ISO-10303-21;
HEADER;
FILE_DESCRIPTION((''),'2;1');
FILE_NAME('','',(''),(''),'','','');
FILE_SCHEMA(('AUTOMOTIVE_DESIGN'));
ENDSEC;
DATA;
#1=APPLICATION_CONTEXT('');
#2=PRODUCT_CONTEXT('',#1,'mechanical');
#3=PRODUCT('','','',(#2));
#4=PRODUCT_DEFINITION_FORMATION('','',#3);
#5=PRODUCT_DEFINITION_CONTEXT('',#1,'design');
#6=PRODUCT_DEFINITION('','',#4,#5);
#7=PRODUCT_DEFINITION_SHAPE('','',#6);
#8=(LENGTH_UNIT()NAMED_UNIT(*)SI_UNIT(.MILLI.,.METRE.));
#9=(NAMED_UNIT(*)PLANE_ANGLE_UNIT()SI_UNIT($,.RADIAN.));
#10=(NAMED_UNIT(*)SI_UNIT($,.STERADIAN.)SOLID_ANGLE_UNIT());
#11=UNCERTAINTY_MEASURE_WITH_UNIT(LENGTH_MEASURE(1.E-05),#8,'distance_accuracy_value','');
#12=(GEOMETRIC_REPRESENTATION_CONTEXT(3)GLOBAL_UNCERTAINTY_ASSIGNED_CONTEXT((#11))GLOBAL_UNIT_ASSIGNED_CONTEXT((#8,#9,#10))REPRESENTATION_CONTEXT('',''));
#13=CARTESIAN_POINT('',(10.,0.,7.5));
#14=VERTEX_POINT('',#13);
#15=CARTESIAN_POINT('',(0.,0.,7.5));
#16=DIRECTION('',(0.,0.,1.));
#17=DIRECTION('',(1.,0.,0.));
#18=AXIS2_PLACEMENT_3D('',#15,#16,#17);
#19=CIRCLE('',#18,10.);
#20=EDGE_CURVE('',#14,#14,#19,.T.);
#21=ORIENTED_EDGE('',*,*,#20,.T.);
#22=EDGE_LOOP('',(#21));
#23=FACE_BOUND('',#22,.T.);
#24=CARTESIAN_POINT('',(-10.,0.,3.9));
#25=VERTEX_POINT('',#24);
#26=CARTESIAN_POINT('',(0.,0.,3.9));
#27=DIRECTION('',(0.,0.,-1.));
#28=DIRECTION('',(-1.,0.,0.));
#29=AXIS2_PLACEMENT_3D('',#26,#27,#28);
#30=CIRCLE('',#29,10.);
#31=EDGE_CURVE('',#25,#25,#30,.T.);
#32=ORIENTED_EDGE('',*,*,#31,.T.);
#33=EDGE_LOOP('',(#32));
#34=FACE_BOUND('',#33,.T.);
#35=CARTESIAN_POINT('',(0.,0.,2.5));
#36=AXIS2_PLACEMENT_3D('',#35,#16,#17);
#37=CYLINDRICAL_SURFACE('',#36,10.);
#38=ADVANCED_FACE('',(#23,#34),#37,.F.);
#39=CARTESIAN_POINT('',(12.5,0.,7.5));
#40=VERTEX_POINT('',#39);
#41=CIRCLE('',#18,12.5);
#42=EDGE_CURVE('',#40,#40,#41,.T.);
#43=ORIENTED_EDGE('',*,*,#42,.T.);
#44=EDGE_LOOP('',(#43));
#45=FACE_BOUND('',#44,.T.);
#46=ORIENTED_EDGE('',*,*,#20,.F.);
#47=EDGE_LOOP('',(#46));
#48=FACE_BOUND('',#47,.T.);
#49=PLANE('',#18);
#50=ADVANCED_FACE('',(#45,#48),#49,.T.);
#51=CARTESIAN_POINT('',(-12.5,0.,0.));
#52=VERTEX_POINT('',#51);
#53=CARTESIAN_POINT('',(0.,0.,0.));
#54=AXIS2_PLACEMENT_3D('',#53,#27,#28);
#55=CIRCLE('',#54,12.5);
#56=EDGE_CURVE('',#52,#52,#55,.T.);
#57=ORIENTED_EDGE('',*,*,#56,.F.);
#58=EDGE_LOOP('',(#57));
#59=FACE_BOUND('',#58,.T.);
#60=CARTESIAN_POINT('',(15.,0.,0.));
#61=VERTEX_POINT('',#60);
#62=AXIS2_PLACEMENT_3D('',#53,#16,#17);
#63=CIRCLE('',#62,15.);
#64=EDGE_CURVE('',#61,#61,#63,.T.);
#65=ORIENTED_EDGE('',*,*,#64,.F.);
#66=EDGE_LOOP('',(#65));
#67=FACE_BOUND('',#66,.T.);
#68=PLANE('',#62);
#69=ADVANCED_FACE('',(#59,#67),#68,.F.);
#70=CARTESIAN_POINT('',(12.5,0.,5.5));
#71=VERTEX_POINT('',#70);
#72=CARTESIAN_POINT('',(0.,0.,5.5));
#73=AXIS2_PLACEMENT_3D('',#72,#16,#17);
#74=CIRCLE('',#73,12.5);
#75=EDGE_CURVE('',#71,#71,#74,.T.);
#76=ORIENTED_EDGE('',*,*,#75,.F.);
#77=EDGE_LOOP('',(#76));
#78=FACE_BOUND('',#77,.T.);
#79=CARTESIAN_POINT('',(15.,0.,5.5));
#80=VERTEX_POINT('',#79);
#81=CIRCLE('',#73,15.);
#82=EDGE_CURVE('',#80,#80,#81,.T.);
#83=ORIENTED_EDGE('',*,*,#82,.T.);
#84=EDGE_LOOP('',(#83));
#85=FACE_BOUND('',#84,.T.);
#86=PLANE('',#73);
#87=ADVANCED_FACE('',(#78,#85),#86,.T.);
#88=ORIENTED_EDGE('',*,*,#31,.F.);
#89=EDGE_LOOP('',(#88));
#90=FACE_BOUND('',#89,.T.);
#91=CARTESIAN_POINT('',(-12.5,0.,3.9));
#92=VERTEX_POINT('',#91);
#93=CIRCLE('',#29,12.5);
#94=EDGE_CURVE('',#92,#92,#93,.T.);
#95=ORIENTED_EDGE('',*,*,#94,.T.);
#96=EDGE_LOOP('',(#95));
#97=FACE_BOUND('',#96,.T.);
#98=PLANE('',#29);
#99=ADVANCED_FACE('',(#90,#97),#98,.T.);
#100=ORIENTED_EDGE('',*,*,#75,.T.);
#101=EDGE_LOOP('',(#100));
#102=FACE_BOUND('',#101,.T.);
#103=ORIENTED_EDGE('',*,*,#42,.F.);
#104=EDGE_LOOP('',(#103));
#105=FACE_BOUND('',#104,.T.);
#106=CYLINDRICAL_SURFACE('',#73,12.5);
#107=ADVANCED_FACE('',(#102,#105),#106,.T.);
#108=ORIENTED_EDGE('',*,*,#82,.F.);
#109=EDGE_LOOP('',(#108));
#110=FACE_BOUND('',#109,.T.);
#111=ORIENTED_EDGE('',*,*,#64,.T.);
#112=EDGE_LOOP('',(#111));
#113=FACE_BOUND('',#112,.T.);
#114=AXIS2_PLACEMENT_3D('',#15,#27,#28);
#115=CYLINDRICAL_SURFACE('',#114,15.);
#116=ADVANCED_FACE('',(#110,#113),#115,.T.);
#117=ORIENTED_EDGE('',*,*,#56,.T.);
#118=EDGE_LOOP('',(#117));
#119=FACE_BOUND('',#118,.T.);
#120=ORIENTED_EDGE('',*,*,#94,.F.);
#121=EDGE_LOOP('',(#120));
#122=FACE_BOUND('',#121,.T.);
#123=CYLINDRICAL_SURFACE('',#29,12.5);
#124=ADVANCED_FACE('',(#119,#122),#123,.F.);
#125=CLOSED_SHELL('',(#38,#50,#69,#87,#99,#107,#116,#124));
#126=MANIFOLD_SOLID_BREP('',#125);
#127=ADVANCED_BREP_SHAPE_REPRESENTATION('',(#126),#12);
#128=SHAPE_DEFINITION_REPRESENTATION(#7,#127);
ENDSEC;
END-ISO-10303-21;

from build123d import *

# Parameters (mm, degrees)
ESQUISSE1_R             = 15
BOSS_EXTRU_1_DEPTH      = 7.5
ESQUISSE3_R             = 12.5
ENL_V_MAT_EXTRU_1_DEPTH = 3.9
ENL_V_START             = -2
ESQUISSE4_R             = 15.5
ESQUISSE4_R_2           = 12.5
ENL_V_MAT_EXTRU_2_DEPTH = 2
ESQUISSE5_R             = 10
ENL_V_MAT_EXTRU_4_DEPTH = 5


with BuildPart() as part:
    # Esquisse1 → Boss.-Extru.1 (new body)
    with BuildSketch(Plane.XY):
        Circle(ESQUISSE1_R)
    extrude(amount=BOSS_EXTRU_1_DEPTH)

    # Esquisse3 → Enlèv. mat.-Extru.1 (cut)
    with BuildSketch(Plane(origin=(0, 0, 0), x_dir=(-1, 0, 0), z_dir=(0, 0, -1))):
        Circle(ESQUISSE3_R)
    extrude(amount=-ENL_V_MAT_EXTRU_1_DEPTH, mode=Mode.SUBTRACT)

    # Esquisse4 → Enlèv. mat.-Extru.2 (cut)
    with BuildSketch(Plane.XY.offset(7.5).offset(ENL_V_START)):
        Circle(ESQUISSE4_R)
        with Locations(Location((0, 0, 0), (0, 0, 180))):
            Circle(ESQUISSE4_R_2, mode=Mode.SUBTRACT)
    extrude(amount=ENL_V_MAT_EXTRU_2_DEPTH, mode=Mode.SUBTRACT)

    # Esquisse5 → Enlèv. mat.-Extru.4 (cut)
    with BuildSketch(Plane.XY.offset(7.5)):
        Circle(ESQUISSE5_R)
    extrude(amount=-ENL_V_MAT_EXTRU_4_DEPTH, mode=Mode.SUBTRACT)


solid = part.part
